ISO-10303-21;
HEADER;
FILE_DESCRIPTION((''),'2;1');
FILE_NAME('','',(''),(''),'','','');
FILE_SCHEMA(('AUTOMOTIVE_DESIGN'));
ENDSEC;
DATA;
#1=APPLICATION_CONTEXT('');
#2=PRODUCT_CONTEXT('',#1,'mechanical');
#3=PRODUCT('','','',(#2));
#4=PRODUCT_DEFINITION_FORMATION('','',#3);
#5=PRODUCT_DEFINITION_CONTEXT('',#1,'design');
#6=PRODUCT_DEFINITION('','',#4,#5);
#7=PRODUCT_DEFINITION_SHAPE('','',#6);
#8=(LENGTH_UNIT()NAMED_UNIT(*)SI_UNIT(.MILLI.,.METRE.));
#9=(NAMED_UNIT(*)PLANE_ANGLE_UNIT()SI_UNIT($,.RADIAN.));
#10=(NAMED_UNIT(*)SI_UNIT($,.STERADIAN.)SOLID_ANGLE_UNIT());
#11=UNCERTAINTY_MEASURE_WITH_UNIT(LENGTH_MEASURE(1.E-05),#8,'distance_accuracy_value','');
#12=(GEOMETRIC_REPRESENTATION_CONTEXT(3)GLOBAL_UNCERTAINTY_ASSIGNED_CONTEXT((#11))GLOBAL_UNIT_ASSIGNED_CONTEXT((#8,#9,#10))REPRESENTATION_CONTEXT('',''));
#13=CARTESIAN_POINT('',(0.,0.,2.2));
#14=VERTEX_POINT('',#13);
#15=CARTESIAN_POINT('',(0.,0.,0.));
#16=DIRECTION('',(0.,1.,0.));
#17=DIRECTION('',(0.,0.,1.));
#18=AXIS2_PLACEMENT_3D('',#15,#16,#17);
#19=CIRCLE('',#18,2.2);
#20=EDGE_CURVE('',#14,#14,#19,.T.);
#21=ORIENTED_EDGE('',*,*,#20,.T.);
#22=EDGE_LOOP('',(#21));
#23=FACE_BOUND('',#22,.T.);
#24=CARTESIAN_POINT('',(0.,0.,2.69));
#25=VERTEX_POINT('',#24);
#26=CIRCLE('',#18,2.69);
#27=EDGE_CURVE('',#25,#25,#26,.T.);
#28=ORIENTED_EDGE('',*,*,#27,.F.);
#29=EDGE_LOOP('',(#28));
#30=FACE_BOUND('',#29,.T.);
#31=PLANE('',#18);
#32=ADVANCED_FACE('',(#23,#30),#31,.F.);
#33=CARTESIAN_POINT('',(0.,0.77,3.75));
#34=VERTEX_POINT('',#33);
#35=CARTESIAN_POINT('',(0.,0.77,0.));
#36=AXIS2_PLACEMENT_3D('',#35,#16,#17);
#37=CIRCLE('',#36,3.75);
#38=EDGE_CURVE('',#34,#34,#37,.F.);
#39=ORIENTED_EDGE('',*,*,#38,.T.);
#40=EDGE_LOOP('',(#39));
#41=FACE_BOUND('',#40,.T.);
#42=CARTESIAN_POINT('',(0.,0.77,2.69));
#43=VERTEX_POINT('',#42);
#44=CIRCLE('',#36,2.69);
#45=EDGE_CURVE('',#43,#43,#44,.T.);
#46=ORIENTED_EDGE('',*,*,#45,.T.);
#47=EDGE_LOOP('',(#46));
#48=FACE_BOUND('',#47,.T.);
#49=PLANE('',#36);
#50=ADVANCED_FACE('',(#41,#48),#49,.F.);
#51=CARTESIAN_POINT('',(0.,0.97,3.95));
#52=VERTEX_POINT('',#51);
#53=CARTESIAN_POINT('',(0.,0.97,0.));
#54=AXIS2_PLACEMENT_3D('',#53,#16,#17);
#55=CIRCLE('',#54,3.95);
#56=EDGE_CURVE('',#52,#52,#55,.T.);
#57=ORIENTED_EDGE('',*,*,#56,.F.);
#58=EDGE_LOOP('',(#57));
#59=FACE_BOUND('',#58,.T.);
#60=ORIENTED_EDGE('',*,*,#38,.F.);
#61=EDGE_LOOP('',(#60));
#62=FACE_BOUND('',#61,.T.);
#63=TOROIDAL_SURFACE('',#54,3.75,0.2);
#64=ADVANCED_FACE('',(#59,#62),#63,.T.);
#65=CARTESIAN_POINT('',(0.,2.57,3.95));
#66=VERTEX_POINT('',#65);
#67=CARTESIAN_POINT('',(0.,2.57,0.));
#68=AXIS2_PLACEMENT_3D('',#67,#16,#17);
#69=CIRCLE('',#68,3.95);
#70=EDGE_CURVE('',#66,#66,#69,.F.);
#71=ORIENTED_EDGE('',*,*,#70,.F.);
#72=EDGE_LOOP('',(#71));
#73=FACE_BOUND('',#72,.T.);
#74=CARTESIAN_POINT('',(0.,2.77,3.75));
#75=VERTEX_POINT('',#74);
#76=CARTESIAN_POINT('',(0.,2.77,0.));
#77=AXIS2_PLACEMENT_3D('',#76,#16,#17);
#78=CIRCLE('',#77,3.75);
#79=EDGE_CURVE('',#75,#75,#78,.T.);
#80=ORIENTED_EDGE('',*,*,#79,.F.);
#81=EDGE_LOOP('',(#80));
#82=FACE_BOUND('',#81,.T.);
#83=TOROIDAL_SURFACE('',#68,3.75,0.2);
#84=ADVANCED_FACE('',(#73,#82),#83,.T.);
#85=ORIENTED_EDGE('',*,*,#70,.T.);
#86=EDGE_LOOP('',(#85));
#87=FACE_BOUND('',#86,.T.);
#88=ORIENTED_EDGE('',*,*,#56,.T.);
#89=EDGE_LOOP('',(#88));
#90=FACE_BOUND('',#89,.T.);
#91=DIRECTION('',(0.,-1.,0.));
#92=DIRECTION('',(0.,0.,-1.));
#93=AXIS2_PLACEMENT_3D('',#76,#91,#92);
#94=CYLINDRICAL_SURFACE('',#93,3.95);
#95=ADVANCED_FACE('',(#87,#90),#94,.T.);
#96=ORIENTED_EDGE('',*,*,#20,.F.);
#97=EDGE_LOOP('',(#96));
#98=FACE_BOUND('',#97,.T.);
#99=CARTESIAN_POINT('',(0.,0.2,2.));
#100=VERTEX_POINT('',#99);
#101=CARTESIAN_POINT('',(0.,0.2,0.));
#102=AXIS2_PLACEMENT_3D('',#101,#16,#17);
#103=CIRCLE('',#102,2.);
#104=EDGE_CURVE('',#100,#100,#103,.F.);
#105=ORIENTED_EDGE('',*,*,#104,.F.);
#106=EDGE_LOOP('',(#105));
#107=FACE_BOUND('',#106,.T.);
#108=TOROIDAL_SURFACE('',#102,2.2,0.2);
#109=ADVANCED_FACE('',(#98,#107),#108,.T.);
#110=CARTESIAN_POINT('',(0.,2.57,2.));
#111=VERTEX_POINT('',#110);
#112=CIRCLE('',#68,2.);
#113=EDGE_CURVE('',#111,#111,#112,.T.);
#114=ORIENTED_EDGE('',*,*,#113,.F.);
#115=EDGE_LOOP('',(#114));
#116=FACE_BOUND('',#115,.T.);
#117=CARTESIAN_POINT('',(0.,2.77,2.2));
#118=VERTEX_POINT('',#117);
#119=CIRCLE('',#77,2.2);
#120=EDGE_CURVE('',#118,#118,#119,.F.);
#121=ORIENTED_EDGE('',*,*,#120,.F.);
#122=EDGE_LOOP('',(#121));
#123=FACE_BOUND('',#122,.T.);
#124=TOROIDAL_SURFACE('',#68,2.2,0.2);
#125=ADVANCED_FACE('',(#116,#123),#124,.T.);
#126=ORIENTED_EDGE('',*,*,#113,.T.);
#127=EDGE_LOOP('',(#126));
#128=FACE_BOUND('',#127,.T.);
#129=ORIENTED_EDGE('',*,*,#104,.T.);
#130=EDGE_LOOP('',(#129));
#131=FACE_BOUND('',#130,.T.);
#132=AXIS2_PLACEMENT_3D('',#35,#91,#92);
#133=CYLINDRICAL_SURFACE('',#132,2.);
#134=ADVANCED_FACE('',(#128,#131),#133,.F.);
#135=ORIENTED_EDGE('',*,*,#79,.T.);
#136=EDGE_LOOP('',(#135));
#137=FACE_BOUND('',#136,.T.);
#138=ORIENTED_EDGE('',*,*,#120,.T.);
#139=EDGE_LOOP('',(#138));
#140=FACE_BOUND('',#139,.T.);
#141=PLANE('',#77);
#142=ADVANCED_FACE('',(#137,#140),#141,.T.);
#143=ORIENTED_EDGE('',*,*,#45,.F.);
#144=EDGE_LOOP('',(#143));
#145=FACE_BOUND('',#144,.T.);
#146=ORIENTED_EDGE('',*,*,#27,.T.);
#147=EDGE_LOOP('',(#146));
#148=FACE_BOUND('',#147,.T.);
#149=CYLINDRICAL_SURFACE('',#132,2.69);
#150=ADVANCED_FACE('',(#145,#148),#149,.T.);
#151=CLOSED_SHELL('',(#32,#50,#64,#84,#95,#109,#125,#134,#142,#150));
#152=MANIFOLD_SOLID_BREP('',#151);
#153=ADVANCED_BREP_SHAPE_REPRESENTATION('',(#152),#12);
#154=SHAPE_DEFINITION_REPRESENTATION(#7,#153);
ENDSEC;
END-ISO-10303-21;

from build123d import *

# Parameters (mm, degrees)
SKETCH_1_R      = 2.69
SKETCH_1_R_2    = 2
EXTRUDE_1_DEPTH = 0.77
SKETCH_2_R      = 3.95
SKETCH_2_R_2    = 2
EXTRUDE_2_DEPTH = 2
FILLET_1_R      = 0.2


with BuildPart() as part:
    # 草图1 → 凸台-拉伸1 (new body)
    with BuildSketch(Plane(origin=(0, 0, 0), x_dir=(1, 0, 0), z_dir=(0, 1, 0))):
        with Locations(Location((0, 0, 0), (0, 0, 270))):
            Circle(SKETCH_1_R)
        with Locations(Location((0, 0, 0), (0, 0, 270))):
            Circle(SKETCH_1_R_2, mode=Mode.SUBTRACT)
    extrude(amount=EXTRUDE_1_DEPTH)

    # 草图2 → 凸台-拉伸2 (add)
    with BuildSketch(Plane(origin=(0, 0.77, 0), x_dir=(1, 0, 0), z_dir=(0, 1, 0))):
        with Locations(Location((0, 0, 0), (0, 0, 270))):
            Circle(SKETCH_2_R)
        with Locations(Location((0, 0, 0), (0, 0, 270))):
            Circle(SKETCH_2_R_2, mode=Mode.SUBTRACT)
    extrude(amount=EXTRUDE_2_DEPTH)

    # 圆角1
    fillet_1_edges = [part.edges().sort_by_distance(p)[0] for p in [
        (0, 0.77, -3.95),
        (0, 2.77, -2),
        (0, 0, -2),
        (0, 2.77, -3.95),
    ]]
    fillet(fillet_1_edges, radius=FILLET_1_R)


solid = part.part
